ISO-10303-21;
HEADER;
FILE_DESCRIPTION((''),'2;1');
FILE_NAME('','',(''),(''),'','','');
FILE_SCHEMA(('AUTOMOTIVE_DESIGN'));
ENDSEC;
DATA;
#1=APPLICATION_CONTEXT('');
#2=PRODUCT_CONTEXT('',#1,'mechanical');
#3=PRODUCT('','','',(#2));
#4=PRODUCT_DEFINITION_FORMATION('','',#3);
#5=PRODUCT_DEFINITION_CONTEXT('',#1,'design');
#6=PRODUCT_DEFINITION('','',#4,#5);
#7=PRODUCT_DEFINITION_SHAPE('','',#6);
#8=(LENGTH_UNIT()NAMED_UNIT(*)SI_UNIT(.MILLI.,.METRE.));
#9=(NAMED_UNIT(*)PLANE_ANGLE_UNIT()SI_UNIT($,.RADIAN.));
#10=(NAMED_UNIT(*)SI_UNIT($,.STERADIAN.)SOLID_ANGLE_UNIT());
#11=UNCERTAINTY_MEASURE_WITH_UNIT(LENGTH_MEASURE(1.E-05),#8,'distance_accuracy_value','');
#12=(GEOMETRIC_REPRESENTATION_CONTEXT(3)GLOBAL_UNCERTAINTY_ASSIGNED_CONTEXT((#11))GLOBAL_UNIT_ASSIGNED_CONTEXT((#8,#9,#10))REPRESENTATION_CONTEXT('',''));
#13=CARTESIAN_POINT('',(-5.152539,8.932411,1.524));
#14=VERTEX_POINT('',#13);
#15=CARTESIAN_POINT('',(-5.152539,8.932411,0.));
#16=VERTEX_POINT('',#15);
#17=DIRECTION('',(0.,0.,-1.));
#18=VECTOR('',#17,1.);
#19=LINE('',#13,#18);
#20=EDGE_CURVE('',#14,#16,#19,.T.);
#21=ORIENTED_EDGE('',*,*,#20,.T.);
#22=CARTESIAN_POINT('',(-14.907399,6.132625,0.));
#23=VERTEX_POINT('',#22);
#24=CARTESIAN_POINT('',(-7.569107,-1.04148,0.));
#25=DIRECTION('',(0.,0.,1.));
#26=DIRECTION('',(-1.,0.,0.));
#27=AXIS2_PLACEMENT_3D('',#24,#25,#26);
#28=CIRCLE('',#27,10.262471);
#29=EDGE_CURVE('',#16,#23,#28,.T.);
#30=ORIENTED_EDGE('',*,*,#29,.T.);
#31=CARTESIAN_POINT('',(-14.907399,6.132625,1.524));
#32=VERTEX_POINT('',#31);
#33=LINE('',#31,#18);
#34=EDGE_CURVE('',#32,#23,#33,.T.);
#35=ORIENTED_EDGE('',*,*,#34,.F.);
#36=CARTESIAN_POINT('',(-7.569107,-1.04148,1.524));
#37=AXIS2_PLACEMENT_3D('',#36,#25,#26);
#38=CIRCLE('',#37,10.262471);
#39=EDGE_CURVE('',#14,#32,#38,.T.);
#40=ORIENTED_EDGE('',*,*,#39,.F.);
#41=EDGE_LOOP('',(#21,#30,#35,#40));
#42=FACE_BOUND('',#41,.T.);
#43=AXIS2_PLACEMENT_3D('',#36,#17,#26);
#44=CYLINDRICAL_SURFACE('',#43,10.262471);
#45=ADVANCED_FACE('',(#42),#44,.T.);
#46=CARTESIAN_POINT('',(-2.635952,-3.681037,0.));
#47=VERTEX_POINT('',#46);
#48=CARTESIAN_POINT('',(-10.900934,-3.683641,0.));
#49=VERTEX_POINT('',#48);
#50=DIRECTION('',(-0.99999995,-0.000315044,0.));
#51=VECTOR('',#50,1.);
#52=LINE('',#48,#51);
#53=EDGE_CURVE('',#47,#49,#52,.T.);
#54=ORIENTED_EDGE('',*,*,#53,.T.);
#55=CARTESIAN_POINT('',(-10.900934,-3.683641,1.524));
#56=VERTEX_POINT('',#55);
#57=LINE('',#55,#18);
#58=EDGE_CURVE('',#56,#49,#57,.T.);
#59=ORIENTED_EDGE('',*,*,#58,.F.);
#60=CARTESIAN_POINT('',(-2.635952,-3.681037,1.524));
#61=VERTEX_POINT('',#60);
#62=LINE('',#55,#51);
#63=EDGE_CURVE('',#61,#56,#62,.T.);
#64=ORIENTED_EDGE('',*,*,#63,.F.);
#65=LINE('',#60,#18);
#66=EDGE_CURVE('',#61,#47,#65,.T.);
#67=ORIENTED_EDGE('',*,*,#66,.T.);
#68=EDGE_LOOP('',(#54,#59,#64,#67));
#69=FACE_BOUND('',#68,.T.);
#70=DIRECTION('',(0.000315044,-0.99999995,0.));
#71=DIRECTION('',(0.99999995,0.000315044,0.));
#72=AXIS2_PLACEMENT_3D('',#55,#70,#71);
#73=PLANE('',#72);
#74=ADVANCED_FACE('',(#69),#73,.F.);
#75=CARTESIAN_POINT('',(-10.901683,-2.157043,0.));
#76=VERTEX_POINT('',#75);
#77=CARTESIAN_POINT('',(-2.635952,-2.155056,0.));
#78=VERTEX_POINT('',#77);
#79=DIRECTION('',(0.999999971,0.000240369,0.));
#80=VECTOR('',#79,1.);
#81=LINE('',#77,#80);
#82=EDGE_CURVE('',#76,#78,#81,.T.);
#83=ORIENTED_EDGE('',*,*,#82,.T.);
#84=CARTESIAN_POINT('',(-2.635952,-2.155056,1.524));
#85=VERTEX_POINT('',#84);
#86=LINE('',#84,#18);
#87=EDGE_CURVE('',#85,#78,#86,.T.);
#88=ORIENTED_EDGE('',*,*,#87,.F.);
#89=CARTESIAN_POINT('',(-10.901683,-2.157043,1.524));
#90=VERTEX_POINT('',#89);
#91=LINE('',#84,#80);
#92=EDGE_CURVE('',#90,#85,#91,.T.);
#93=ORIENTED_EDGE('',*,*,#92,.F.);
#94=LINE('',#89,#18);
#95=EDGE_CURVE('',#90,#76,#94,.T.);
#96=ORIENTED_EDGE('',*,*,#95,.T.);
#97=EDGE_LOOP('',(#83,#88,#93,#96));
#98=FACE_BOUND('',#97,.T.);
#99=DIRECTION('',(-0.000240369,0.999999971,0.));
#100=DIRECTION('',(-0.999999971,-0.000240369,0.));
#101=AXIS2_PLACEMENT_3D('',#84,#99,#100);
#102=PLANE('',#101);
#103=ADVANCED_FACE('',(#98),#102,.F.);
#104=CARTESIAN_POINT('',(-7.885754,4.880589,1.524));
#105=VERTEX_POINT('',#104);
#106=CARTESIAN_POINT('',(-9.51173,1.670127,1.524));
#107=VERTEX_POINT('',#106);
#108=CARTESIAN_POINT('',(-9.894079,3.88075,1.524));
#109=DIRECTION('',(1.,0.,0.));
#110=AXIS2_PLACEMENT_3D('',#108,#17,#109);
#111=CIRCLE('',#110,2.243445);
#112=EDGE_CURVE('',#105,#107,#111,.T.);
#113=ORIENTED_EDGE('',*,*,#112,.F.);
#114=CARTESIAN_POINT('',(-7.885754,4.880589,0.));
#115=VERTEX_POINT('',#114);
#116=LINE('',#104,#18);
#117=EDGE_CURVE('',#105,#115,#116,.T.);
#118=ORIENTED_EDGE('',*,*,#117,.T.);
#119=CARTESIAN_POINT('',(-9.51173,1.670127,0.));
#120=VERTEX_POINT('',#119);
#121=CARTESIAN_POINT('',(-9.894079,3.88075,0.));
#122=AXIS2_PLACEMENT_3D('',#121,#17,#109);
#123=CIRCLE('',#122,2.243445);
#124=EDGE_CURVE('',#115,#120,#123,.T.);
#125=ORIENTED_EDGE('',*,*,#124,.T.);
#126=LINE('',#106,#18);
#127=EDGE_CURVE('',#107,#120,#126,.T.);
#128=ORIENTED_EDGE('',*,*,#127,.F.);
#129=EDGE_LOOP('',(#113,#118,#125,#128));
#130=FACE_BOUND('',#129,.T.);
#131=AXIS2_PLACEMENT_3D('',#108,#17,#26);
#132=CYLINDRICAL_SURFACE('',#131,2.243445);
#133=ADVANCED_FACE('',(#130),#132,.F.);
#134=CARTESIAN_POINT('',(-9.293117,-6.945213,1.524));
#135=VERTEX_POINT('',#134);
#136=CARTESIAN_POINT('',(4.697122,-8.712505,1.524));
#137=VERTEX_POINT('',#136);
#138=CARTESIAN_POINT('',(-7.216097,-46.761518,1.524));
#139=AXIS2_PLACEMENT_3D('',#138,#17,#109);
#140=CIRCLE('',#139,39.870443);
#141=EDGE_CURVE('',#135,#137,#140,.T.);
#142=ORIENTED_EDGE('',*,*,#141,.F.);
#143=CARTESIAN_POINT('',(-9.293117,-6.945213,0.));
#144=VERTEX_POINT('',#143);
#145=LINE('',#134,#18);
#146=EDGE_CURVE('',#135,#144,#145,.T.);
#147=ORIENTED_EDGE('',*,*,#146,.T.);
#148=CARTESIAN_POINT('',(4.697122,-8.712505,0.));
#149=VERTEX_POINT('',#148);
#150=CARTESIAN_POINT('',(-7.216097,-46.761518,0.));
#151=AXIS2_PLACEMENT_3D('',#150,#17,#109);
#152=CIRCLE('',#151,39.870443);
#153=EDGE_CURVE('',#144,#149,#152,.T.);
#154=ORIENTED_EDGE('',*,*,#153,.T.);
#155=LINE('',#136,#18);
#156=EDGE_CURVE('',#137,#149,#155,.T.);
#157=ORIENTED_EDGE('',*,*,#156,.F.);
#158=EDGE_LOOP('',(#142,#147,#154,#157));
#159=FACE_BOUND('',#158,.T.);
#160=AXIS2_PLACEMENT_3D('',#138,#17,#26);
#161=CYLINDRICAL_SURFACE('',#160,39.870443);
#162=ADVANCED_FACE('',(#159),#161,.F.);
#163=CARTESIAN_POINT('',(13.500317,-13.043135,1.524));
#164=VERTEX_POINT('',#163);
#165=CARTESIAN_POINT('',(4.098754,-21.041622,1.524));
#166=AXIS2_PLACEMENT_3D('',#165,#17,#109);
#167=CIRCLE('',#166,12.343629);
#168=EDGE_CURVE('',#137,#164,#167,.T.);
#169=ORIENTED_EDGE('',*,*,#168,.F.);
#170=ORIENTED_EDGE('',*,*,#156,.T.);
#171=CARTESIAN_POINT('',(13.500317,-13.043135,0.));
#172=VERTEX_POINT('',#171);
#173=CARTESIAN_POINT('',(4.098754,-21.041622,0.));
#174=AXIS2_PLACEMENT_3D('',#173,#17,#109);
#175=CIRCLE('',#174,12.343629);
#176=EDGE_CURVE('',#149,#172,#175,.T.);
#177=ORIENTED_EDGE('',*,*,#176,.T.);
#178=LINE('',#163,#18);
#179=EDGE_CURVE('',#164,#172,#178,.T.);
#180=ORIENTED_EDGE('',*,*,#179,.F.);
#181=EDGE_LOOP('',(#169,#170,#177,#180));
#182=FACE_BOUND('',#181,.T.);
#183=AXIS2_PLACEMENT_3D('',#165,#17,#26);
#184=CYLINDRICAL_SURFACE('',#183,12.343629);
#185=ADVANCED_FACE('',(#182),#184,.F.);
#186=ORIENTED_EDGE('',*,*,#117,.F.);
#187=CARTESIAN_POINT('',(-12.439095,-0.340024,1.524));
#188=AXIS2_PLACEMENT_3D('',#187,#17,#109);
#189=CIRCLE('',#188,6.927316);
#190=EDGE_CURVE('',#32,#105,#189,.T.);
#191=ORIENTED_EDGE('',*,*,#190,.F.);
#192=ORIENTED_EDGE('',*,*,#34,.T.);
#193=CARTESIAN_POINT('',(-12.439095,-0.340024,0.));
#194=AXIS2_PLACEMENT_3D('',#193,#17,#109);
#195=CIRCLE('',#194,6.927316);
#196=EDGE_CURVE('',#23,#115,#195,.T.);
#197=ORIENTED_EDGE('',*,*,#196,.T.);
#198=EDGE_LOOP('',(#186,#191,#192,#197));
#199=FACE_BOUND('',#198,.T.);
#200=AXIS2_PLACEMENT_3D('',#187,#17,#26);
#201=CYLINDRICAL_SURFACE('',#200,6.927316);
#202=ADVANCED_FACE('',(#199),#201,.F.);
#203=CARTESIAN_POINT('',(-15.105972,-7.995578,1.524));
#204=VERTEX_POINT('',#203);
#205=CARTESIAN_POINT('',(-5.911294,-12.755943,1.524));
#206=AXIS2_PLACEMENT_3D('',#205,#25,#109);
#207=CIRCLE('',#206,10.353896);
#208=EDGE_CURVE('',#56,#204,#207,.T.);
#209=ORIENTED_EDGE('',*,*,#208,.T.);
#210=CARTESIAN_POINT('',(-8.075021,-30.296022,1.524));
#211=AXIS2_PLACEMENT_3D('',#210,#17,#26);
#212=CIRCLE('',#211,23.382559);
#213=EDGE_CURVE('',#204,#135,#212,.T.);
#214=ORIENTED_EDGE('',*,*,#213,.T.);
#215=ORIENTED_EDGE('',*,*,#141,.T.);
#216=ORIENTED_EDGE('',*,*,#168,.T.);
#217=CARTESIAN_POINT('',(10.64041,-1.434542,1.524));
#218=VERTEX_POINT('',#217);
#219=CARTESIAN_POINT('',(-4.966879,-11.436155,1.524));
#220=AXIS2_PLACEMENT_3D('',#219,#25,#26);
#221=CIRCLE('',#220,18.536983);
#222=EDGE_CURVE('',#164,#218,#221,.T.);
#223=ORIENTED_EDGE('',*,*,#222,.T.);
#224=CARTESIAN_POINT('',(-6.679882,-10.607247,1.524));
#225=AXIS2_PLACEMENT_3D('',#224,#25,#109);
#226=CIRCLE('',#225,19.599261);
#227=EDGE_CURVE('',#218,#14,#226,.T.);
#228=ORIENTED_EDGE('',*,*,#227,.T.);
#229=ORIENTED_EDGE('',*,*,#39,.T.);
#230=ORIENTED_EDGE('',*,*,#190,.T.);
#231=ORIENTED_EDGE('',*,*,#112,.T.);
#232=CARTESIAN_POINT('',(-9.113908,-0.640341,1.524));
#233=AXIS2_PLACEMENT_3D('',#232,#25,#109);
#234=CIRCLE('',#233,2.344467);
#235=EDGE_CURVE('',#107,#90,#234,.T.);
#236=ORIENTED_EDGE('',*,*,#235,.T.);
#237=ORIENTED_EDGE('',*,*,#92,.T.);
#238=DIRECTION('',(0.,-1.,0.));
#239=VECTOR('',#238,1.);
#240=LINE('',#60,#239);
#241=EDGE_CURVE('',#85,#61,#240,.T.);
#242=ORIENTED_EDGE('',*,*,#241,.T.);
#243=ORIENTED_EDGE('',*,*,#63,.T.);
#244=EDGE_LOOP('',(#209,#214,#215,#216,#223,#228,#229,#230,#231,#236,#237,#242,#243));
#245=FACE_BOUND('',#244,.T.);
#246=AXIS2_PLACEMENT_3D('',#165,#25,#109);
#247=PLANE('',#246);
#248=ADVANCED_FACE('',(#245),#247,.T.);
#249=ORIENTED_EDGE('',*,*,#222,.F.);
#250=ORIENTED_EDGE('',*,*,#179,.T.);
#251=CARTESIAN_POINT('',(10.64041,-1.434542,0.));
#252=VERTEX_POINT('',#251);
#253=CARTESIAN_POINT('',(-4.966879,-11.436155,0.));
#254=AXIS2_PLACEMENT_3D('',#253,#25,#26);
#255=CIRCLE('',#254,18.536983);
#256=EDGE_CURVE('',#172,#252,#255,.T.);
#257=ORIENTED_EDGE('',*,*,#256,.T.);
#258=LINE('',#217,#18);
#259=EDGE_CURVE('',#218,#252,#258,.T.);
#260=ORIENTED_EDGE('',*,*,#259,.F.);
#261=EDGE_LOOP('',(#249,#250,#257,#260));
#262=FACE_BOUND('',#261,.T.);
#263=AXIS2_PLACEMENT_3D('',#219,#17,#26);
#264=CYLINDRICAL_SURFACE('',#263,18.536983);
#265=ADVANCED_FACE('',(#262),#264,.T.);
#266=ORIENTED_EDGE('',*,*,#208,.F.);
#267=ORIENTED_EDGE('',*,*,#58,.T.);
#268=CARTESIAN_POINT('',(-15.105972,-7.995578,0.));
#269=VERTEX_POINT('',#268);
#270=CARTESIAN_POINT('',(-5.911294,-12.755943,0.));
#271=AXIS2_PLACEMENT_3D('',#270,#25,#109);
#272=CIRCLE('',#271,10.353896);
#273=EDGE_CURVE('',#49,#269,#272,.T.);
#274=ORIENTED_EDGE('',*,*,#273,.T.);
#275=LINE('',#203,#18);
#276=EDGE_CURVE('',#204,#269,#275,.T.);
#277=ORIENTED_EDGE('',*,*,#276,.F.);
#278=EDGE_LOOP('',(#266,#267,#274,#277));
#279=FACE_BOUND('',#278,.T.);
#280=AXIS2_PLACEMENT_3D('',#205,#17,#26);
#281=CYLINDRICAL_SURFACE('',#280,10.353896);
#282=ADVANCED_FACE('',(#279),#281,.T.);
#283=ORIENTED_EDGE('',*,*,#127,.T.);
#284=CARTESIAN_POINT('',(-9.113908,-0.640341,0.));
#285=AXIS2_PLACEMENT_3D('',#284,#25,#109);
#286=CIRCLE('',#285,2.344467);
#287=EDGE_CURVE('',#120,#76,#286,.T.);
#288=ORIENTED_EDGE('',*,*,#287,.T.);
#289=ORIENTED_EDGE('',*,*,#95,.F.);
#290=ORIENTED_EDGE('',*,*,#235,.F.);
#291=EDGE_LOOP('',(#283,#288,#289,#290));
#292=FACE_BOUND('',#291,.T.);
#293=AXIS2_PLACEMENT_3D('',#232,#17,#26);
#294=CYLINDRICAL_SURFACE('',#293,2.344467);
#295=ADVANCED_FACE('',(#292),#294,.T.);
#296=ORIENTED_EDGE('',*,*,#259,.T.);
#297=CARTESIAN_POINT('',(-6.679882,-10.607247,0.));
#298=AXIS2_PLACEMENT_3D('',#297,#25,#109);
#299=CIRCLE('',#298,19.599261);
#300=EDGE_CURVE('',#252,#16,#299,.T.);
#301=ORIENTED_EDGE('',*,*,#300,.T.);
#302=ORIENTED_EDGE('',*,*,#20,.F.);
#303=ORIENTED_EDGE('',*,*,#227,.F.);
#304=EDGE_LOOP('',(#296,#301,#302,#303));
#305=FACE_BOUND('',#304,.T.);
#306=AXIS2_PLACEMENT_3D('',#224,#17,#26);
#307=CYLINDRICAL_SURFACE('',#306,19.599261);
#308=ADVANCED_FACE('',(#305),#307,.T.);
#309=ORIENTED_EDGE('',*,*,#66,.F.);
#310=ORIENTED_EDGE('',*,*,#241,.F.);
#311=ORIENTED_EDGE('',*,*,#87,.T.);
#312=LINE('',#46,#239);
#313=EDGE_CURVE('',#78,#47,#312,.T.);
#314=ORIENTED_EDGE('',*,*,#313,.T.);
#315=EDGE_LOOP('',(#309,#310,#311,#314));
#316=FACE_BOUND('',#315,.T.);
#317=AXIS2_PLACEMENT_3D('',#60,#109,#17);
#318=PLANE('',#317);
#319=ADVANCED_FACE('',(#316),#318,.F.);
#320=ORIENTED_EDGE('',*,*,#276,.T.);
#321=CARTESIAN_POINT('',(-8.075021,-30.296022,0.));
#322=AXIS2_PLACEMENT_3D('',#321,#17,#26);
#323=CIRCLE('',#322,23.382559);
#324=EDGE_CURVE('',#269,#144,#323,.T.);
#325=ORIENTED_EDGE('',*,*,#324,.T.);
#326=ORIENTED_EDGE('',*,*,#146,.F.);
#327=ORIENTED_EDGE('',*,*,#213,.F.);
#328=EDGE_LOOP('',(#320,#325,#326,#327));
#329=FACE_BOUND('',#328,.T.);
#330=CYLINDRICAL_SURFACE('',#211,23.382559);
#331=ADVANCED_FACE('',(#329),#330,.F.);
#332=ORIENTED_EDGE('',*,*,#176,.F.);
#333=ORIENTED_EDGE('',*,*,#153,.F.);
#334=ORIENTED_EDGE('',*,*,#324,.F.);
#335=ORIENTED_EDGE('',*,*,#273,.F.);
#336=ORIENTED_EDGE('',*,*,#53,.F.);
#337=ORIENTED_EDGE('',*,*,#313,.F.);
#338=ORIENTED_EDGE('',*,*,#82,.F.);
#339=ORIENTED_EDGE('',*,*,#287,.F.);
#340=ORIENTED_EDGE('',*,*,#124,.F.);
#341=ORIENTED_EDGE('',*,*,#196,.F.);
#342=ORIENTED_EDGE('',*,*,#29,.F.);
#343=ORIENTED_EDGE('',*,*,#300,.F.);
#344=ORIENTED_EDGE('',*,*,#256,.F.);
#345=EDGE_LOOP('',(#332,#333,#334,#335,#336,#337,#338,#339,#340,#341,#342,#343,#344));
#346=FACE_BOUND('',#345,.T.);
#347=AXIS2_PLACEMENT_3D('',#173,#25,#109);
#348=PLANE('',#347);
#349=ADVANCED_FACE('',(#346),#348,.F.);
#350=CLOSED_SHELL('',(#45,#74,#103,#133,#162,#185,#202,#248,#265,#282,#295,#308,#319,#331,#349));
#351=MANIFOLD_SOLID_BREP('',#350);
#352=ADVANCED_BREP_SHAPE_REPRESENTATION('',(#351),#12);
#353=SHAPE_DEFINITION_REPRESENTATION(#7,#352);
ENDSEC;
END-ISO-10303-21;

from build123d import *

# Parameters (mm, degrees)
BOSS_EXTRUDE1_DEPTH = 1.524


with BuildPart() as part:
    # Sketch1 → Boss-Extrude1 (new body)
    with BuildSketch(Plane.XY):
        with BuildLine():
            Line((-10.900934465, -3.68364082), (-2.635951713, -3.681036987))
            Line((-2.635951713, -3.681036987), (-2.635951713, -2.155055787))
            Line((-2.635951713, -2.155055787), (-10.901683213, -2.157042615))
            ThreePointArc((-10.901683213, -2.157042615), (-11.317544758, 0.15997729), (-9.511729503, 1.670127391))
            ThreePointArc((-9.511729503, 1.670127391), (-7.892680295, 2.86711895), (-7.885754316, 4.88058888))
            ThreePointArc((-7.885754316, 4.88058888), (-11.223059029, 6.479724486), (-14.907398818, 6.132625428))
            ThreePointArc((-14.907398818, 6.132625428), (-10.400280149, 8.822736649), (-5.152538869, 8.932411295))
            ThreePointArc((-5.152538869, 8.932411295), (4.07543143, 5.777326615), (10.640409761, -1.4345424))
            ThreePointArc((10.640409761, -1.4345424), (13.031939874, -7.001943531), (13.500316897, -13.04313502))
            ThreePointArc((13.500316897, -13.04313502), (9.547445937, -9.965660072), (4.697121946, -8.71250483))
            ThreePointArc((4.697121946, -8.71250483), (-2.219244662, -7.205435551), (-9.293116928, -6.945212506))
            ThreePointArc((-9.293116928, -6.945212506), (-12.232846335, -7.286099179), (-15.105972143, -7.995578426))
            ThreePointArc((-15.105972143, -7.995578426), (-13.323913323, -5.527094328), (-10.900934465, -3.68364082))
        make_face()
    extrude(amount=BOSS_EXTRUDE1_DEPTH)


solid = part.part
